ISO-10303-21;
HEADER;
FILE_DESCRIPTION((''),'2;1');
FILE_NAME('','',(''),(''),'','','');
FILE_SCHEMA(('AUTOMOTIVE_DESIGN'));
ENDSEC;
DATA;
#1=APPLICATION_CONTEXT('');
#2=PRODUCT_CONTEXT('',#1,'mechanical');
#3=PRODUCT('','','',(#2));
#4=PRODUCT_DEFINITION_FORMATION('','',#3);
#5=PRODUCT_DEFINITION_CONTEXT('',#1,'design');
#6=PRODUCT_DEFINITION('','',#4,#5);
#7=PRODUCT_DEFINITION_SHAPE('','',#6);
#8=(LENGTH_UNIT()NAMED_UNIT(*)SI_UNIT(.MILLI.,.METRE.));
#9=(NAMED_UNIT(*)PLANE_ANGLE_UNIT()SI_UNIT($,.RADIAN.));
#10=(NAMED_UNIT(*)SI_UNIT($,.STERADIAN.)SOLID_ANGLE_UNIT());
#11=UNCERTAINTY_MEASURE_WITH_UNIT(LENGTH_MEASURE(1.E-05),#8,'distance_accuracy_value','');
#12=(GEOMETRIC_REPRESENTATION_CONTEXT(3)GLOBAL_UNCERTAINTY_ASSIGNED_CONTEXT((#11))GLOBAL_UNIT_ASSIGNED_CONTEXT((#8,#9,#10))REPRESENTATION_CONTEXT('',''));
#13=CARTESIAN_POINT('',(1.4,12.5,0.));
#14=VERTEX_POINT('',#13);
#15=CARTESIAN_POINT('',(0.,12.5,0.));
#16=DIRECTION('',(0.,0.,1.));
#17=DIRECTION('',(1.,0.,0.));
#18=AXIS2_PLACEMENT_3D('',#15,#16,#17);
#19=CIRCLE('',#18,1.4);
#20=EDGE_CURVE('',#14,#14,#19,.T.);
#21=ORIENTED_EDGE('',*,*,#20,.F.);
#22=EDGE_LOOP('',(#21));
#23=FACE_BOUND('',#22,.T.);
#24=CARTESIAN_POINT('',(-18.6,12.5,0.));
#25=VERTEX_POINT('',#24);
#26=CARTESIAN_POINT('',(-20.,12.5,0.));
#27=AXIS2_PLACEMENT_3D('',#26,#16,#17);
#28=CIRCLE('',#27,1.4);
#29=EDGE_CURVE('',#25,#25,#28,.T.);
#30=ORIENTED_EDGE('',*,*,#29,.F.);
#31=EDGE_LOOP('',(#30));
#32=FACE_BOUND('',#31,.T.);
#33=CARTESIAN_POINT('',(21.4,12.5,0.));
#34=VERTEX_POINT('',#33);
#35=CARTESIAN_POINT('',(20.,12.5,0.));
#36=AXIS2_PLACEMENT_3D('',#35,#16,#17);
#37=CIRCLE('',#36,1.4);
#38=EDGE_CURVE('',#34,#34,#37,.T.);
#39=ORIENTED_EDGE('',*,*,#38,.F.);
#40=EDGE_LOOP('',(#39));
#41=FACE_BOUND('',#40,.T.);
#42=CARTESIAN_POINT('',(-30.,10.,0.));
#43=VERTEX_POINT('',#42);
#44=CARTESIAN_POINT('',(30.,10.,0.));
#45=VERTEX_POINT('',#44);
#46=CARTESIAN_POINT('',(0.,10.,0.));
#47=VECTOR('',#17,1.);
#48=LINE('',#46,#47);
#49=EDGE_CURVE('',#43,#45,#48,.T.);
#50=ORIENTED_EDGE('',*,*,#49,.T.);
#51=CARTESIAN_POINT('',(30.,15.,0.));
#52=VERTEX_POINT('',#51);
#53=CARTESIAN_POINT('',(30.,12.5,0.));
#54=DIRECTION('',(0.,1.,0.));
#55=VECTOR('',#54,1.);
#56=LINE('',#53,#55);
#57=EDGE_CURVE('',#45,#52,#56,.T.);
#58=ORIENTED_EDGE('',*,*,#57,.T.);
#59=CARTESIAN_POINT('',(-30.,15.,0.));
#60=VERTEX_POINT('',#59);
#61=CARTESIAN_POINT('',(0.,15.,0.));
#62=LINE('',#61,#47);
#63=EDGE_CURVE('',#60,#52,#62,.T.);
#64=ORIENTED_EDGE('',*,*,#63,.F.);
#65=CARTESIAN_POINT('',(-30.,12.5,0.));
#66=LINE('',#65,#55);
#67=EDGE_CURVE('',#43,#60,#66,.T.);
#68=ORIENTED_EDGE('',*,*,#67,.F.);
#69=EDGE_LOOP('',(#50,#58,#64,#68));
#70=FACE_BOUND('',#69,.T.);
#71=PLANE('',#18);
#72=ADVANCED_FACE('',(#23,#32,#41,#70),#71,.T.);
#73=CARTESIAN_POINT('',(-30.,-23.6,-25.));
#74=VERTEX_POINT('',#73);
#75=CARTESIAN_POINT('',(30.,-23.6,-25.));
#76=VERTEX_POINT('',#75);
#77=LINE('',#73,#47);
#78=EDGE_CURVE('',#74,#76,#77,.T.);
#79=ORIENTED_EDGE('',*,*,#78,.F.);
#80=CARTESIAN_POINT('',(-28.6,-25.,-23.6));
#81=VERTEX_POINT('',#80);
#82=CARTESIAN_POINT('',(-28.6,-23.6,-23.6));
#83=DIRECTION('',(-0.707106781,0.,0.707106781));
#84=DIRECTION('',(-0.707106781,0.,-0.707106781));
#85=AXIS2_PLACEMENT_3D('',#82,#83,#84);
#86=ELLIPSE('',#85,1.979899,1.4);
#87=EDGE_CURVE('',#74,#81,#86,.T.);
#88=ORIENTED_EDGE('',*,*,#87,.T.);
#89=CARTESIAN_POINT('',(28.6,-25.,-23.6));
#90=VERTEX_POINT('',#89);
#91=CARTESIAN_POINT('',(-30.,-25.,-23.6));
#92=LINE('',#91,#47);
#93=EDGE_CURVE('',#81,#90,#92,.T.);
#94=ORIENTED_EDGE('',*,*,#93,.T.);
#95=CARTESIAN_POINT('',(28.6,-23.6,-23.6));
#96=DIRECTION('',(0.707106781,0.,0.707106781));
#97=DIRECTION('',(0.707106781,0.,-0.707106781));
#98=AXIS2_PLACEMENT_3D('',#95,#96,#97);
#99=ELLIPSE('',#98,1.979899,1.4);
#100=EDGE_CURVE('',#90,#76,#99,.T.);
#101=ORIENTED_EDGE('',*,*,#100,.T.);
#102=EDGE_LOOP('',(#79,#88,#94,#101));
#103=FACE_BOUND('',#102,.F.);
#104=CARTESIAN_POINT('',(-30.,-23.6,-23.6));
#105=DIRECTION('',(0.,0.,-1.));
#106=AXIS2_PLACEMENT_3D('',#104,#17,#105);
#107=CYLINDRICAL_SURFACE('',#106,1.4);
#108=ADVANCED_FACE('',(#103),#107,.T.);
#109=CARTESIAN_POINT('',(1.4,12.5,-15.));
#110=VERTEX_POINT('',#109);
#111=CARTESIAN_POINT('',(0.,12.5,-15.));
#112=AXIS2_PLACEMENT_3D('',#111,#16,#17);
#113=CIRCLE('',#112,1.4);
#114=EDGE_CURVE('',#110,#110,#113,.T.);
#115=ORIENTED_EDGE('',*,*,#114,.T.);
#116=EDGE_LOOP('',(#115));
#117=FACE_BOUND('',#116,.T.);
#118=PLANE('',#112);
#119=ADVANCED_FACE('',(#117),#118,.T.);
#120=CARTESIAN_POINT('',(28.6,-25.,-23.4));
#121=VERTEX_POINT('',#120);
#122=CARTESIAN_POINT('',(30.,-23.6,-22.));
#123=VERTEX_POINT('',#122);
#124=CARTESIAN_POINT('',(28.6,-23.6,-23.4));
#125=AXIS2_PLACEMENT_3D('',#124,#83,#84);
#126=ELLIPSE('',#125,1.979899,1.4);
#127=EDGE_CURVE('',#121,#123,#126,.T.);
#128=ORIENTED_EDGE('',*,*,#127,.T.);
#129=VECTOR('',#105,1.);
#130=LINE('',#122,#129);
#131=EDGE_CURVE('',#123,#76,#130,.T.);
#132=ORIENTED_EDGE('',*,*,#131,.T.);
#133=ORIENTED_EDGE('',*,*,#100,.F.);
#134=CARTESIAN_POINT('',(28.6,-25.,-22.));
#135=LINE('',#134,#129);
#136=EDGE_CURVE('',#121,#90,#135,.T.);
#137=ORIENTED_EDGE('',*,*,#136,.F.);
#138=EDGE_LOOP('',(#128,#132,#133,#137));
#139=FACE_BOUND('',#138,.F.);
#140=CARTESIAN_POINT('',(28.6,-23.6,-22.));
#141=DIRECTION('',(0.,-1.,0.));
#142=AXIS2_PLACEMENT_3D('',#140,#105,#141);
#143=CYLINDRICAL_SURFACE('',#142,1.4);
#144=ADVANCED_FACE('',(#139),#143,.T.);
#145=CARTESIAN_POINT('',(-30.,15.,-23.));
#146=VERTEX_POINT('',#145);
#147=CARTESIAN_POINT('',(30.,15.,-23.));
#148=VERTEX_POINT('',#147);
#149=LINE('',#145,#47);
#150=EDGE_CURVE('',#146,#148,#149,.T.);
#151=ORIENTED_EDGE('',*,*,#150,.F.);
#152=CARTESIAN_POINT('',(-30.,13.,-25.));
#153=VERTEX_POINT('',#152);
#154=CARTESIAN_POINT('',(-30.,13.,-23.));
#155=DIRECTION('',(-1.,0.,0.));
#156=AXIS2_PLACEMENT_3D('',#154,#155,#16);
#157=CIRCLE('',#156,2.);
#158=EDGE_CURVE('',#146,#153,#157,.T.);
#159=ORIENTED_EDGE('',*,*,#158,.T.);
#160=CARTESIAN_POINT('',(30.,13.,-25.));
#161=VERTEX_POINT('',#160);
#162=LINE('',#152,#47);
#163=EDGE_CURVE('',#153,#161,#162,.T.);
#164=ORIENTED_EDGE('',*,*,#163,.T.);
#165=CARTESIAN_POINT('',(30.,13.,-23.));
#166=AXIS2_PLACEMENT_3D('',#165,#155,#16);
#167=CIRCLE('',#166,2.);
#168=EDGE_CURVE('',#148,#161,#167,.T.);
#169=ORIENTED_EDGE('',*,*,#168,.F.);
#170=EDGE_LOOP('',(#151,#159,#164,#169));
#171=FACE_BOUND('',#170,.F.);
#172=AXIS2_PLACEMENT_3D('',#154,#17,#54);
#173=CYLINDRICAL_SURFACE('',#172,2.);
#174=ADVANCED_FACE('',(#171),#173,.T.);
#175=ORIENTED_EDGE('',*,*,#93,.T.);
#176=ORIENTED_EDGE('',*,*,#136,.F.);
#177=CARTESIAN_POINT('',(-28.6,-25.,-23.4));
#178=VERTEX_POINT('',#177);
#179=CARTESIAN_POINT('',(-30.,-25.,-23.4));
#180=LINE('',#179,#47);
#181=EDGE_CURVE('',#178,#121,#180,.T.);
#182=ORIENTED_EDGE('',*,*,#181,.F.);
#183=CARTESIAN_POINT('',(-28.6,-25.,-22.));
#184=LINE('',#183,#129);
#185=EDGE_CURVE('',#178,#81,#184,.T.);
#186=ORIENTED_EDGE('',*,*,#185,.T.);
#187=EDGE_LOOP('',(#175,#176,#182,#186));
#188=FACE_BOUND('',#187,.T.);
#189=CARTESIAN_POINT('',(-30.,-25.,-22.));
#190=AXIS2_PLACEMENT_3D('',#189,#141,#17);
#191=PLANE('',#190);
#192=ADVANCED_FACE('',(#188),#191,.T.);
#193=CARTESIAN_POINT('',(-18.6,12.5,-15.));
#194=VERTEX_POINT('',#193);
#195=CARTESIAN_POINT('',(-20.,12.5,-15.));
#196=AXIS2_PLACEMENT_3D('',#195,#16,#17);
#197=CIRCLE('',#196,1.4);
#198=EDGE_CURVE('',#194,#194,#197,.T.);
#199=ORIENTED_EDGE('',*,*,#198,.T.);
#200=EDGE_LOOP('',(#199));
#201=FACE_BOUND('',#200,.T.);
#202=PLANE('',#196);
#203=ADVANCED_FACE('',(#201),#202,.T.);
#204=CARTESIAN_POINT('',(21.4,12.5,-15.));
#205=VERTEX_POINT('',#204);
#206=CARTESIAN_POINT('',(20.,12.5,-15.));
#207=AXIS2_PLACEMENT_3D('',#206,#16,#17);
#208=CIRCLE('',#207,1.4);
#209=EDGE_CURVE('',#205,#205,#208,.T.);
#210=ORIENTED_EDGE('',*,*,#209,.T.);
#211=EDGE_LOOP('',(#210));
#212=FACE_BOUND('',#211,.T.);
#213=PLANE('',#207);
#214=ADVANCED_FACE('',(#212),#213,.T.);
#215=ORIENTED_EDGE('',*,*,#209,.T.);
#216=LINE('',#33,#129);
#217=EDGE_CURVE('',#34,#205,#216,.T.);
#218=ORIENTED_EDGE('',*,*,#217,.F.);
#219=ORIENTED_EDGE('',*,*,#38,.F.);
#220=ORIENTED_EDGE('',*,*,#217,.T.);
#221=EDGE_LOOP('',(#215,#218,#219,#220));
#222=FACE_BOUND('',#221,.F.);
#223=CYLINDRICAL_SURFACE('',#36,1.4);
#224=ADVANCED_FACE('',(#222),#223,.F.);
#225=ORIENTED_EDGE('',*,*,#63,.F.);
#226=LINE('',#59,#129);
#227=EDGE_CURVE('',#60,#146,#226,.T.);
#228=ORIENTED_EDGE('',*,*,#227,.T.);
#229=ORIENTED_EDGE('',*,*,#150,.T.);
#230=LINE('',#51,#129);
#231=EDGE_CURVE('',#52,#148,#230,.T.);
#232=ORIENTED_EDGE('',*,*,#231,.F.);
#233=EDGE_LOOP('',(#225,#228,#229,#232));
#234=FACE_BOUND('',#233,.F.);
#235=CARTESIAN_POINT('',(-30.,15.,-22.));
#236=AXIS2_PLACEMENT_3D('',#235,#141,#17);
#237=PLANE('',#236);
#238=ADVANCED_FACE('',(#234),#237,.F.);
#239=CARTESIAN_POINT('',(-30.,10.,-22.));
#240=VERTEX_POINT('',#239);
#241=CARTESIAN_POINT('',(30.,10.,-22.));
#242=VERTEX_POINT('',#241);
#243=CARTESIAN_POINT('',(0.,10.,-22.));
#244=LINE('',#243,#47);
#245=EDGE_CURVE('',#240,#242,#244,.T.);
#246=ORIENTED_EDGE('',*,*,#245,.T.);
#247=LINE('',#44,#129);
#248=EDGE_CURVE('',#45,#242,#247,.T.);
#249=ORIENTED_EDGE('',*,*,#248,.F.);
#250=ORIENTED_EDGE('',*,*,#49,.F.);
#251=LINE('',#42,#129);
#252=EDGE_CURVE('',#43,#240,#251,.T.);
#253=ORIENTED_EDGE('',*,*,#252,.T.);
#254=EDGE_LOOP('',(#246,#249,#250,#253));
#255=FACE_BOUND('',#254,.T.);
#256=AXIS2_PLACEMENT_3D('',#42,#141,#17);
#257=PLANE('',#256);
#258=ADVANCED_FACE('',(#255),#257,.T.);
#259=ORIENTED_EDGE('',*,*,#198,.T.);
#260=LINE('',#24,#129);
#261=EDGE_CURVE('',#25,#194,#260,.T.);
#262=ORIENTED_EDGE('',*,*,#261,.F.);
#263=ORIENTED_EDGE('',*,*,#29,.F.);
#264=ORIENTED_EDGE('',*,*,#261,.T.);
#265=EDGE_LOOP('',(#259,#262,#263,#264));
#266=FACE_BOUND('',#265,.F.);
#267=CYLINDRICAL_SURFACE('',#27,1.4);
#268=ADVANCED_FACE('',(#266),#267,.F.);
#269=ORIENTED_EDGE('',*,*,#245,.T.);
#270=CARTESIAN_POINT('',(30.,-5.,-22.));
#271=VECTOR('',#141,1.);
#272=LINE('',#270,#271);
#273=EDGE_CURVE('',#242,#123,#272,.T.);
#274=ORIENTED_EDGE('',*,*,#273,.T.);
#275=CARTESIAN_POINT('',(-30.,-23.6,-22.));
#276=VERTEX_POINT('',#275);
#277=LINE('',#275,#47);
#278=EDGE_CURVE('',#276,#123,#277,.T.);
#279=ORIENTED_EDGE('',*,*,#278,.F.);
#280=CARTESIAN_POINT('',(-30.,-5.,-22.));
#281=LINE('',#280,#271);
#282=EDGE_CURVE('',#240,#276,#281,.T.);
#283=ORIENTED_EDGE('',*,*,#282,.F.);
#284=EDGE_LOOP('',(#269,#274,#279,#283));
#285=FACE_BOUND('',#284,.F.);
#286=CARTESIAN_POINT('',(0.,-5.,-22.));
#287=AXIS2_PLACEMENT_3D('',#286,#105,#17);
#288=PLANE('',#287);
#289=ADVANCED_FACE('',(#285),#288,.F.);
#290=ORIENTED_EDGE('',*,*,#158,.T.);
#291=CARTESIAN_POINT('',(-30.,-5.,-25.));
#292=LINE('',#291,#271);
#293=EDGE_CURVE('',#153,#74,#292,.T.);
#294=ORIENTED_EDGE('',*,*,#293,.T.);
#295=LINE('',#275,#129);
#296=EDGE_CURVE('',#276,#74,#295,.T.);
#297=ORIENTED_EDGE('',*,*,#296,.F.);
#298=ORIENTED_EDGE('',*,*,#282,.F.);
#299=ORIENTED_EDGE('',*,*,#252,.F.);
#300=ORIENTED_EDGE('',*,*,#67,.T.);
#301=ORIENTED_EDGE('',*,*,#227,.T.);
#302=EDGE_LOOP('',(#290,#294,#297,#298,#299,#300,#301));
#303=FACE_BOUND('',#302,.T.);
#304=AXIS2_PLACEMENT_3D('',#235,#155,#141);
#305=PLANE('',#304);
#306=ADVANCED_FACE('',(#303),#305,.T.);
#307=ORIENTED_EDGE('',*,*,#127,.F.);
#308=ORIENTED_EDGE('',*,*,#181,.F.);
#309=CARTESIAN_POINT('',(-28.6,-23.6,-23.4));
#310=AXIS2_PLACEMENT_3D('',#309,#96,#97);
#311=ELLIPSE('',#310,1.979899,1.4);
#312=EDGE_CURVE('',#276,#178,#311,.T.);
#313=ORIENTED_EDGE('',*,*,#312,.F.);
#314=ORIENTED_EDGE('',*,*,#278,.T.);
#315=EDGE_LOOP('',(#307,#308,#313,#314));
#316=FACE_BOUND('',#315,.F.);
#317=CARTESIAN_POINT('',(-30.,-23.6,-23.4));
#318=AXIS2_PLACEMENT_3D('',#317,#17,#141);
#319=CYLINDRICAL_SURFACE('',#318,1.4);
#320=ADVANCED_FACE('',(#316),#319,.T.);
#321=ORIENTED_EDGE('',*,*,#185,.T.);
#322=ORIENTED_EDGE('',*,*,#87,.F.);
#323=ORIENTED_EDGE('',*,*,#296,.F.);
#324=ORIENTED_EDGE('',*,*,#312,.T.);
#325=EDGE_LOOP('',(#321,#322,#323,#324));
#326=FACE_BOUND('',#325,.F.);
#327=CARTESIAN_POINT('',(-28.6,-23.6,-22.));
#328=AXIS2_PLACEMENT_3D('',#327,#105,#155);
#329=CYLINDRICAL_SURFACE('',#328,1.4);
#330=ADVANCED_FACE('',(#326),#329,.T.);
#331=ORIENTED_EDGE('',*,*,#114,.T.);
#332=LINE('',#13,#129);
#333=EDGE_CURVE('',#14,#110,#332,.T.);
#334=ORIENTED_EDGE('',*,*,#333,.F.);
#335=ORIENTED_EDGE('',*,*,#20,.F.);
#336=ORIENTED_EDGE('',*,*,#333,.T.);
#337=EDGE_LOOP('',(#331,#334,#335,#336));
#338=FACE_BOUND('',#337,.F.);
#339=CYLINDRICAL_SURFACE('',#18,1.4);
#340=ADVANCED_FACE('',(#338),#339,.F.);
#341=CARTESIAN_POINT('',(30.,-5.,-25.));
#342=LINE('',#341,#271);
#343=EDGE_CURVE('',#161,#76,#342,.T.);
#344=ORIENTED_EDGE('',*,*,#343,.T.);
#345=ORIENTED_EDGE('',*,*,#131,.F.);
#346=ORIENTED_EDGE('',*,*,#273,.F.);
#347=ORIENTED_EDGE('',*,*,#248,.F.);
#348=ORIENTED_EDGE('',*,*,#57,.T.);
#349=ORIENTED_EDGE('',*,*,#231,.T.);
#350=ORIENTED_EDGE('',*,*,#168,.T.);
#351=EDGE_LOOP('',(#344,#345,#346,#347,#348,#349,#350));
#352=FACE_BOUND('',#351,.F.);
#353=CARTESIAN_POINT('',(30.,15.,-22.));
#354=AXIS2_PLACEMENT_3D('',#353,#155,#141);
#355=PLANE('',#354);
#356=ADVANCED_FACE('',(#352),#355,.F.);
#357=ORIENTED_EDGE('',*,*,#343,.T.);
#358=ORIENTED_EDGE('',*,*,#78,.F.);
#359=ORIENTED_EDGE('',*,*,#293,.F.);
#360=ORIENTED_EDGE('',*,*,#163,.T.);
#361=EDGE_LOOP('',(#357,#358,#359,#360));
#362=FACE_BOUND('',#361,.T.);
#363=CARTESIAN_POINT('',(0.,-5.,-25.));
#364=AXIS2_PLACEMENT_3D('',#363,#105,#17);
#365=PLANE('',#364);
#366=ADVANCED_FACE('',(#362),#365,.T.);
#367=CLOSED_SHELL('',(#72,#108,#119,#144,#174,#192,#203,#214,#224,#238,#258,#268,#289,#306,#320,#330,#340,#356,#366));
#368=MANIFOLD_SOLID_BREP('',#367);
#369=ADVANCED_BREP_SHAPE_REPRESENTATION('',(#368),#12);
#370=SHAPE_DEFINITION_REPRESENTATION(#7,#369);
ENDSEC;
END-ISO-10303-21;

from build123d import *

# Parameters (mm, degrees)
SKETCH010_W     = 60
SKETCH010_H     = 5
PAD005_DEPTH    = 22
SKETCH011_W     = 60
SKETCH011_H     = 40
PAD006_DEPTH    = 3
FILLET_R        = 2
FILLET001_R     = 1.4
SKETCH012_R     = 1.4
POCKET005_DEPTH = 15


with BuildPart() as part:
    # Sketch010 → Pad005 (new body)
    with BuildSketch(Plane.XY):
        with Locations((0, 12.5)):
            Rectangle(SKETCH010_W, SKETCH010_H)
    extrude(amount=-PAD005_DEPTH)

    # Sketch011 (on Face6 of Pad005) → Pad006 (join)
    with BuildSketch(Plane(origin=(0, 0, -22), x_dir=(1, 0, 0), z_dir=(0, 0, -1))):
        with Locations((0, 5)):
            Rectangle(SKETCH011_W, SKETCH011_H)
    extrude(amount=PAD006_DEPTH)

    # Fillet
    fillet_edges = [part.edges().sort_by_distance(p)[0] for p in [
        (0, 15, -25),
    ]]
    fillet(fillet_edges, radius=FILLET_R)

    # Fillet001
    fillet001_edges = [part.edges().sort_by_distance(p)[0] for p in [
        (30, -25, -23.5),
        (-30, -25, -23.5),
        (0, -25, -22),
        (0, -25, -25),
    ]]
    fillet(fillet001_edges, radius=FILLET001_R)

    # Sketch012 (on Face14 of Fillet001) → Pocket005 (cut)
    with BuildSketch(Plane.XY):
        with Locations((-20, 12.5)):
            Circle(SKETCH012_R)
        with Locations((0, 12.5)):
            Circle(SKETCH012_R)
        with Locations((20, 12.5)):
            Circle(SKETCH012_R)
    extrude(amount=-POCKET005_DEPTH, mode=Mode.SUBTRACT)


solid = part.part
